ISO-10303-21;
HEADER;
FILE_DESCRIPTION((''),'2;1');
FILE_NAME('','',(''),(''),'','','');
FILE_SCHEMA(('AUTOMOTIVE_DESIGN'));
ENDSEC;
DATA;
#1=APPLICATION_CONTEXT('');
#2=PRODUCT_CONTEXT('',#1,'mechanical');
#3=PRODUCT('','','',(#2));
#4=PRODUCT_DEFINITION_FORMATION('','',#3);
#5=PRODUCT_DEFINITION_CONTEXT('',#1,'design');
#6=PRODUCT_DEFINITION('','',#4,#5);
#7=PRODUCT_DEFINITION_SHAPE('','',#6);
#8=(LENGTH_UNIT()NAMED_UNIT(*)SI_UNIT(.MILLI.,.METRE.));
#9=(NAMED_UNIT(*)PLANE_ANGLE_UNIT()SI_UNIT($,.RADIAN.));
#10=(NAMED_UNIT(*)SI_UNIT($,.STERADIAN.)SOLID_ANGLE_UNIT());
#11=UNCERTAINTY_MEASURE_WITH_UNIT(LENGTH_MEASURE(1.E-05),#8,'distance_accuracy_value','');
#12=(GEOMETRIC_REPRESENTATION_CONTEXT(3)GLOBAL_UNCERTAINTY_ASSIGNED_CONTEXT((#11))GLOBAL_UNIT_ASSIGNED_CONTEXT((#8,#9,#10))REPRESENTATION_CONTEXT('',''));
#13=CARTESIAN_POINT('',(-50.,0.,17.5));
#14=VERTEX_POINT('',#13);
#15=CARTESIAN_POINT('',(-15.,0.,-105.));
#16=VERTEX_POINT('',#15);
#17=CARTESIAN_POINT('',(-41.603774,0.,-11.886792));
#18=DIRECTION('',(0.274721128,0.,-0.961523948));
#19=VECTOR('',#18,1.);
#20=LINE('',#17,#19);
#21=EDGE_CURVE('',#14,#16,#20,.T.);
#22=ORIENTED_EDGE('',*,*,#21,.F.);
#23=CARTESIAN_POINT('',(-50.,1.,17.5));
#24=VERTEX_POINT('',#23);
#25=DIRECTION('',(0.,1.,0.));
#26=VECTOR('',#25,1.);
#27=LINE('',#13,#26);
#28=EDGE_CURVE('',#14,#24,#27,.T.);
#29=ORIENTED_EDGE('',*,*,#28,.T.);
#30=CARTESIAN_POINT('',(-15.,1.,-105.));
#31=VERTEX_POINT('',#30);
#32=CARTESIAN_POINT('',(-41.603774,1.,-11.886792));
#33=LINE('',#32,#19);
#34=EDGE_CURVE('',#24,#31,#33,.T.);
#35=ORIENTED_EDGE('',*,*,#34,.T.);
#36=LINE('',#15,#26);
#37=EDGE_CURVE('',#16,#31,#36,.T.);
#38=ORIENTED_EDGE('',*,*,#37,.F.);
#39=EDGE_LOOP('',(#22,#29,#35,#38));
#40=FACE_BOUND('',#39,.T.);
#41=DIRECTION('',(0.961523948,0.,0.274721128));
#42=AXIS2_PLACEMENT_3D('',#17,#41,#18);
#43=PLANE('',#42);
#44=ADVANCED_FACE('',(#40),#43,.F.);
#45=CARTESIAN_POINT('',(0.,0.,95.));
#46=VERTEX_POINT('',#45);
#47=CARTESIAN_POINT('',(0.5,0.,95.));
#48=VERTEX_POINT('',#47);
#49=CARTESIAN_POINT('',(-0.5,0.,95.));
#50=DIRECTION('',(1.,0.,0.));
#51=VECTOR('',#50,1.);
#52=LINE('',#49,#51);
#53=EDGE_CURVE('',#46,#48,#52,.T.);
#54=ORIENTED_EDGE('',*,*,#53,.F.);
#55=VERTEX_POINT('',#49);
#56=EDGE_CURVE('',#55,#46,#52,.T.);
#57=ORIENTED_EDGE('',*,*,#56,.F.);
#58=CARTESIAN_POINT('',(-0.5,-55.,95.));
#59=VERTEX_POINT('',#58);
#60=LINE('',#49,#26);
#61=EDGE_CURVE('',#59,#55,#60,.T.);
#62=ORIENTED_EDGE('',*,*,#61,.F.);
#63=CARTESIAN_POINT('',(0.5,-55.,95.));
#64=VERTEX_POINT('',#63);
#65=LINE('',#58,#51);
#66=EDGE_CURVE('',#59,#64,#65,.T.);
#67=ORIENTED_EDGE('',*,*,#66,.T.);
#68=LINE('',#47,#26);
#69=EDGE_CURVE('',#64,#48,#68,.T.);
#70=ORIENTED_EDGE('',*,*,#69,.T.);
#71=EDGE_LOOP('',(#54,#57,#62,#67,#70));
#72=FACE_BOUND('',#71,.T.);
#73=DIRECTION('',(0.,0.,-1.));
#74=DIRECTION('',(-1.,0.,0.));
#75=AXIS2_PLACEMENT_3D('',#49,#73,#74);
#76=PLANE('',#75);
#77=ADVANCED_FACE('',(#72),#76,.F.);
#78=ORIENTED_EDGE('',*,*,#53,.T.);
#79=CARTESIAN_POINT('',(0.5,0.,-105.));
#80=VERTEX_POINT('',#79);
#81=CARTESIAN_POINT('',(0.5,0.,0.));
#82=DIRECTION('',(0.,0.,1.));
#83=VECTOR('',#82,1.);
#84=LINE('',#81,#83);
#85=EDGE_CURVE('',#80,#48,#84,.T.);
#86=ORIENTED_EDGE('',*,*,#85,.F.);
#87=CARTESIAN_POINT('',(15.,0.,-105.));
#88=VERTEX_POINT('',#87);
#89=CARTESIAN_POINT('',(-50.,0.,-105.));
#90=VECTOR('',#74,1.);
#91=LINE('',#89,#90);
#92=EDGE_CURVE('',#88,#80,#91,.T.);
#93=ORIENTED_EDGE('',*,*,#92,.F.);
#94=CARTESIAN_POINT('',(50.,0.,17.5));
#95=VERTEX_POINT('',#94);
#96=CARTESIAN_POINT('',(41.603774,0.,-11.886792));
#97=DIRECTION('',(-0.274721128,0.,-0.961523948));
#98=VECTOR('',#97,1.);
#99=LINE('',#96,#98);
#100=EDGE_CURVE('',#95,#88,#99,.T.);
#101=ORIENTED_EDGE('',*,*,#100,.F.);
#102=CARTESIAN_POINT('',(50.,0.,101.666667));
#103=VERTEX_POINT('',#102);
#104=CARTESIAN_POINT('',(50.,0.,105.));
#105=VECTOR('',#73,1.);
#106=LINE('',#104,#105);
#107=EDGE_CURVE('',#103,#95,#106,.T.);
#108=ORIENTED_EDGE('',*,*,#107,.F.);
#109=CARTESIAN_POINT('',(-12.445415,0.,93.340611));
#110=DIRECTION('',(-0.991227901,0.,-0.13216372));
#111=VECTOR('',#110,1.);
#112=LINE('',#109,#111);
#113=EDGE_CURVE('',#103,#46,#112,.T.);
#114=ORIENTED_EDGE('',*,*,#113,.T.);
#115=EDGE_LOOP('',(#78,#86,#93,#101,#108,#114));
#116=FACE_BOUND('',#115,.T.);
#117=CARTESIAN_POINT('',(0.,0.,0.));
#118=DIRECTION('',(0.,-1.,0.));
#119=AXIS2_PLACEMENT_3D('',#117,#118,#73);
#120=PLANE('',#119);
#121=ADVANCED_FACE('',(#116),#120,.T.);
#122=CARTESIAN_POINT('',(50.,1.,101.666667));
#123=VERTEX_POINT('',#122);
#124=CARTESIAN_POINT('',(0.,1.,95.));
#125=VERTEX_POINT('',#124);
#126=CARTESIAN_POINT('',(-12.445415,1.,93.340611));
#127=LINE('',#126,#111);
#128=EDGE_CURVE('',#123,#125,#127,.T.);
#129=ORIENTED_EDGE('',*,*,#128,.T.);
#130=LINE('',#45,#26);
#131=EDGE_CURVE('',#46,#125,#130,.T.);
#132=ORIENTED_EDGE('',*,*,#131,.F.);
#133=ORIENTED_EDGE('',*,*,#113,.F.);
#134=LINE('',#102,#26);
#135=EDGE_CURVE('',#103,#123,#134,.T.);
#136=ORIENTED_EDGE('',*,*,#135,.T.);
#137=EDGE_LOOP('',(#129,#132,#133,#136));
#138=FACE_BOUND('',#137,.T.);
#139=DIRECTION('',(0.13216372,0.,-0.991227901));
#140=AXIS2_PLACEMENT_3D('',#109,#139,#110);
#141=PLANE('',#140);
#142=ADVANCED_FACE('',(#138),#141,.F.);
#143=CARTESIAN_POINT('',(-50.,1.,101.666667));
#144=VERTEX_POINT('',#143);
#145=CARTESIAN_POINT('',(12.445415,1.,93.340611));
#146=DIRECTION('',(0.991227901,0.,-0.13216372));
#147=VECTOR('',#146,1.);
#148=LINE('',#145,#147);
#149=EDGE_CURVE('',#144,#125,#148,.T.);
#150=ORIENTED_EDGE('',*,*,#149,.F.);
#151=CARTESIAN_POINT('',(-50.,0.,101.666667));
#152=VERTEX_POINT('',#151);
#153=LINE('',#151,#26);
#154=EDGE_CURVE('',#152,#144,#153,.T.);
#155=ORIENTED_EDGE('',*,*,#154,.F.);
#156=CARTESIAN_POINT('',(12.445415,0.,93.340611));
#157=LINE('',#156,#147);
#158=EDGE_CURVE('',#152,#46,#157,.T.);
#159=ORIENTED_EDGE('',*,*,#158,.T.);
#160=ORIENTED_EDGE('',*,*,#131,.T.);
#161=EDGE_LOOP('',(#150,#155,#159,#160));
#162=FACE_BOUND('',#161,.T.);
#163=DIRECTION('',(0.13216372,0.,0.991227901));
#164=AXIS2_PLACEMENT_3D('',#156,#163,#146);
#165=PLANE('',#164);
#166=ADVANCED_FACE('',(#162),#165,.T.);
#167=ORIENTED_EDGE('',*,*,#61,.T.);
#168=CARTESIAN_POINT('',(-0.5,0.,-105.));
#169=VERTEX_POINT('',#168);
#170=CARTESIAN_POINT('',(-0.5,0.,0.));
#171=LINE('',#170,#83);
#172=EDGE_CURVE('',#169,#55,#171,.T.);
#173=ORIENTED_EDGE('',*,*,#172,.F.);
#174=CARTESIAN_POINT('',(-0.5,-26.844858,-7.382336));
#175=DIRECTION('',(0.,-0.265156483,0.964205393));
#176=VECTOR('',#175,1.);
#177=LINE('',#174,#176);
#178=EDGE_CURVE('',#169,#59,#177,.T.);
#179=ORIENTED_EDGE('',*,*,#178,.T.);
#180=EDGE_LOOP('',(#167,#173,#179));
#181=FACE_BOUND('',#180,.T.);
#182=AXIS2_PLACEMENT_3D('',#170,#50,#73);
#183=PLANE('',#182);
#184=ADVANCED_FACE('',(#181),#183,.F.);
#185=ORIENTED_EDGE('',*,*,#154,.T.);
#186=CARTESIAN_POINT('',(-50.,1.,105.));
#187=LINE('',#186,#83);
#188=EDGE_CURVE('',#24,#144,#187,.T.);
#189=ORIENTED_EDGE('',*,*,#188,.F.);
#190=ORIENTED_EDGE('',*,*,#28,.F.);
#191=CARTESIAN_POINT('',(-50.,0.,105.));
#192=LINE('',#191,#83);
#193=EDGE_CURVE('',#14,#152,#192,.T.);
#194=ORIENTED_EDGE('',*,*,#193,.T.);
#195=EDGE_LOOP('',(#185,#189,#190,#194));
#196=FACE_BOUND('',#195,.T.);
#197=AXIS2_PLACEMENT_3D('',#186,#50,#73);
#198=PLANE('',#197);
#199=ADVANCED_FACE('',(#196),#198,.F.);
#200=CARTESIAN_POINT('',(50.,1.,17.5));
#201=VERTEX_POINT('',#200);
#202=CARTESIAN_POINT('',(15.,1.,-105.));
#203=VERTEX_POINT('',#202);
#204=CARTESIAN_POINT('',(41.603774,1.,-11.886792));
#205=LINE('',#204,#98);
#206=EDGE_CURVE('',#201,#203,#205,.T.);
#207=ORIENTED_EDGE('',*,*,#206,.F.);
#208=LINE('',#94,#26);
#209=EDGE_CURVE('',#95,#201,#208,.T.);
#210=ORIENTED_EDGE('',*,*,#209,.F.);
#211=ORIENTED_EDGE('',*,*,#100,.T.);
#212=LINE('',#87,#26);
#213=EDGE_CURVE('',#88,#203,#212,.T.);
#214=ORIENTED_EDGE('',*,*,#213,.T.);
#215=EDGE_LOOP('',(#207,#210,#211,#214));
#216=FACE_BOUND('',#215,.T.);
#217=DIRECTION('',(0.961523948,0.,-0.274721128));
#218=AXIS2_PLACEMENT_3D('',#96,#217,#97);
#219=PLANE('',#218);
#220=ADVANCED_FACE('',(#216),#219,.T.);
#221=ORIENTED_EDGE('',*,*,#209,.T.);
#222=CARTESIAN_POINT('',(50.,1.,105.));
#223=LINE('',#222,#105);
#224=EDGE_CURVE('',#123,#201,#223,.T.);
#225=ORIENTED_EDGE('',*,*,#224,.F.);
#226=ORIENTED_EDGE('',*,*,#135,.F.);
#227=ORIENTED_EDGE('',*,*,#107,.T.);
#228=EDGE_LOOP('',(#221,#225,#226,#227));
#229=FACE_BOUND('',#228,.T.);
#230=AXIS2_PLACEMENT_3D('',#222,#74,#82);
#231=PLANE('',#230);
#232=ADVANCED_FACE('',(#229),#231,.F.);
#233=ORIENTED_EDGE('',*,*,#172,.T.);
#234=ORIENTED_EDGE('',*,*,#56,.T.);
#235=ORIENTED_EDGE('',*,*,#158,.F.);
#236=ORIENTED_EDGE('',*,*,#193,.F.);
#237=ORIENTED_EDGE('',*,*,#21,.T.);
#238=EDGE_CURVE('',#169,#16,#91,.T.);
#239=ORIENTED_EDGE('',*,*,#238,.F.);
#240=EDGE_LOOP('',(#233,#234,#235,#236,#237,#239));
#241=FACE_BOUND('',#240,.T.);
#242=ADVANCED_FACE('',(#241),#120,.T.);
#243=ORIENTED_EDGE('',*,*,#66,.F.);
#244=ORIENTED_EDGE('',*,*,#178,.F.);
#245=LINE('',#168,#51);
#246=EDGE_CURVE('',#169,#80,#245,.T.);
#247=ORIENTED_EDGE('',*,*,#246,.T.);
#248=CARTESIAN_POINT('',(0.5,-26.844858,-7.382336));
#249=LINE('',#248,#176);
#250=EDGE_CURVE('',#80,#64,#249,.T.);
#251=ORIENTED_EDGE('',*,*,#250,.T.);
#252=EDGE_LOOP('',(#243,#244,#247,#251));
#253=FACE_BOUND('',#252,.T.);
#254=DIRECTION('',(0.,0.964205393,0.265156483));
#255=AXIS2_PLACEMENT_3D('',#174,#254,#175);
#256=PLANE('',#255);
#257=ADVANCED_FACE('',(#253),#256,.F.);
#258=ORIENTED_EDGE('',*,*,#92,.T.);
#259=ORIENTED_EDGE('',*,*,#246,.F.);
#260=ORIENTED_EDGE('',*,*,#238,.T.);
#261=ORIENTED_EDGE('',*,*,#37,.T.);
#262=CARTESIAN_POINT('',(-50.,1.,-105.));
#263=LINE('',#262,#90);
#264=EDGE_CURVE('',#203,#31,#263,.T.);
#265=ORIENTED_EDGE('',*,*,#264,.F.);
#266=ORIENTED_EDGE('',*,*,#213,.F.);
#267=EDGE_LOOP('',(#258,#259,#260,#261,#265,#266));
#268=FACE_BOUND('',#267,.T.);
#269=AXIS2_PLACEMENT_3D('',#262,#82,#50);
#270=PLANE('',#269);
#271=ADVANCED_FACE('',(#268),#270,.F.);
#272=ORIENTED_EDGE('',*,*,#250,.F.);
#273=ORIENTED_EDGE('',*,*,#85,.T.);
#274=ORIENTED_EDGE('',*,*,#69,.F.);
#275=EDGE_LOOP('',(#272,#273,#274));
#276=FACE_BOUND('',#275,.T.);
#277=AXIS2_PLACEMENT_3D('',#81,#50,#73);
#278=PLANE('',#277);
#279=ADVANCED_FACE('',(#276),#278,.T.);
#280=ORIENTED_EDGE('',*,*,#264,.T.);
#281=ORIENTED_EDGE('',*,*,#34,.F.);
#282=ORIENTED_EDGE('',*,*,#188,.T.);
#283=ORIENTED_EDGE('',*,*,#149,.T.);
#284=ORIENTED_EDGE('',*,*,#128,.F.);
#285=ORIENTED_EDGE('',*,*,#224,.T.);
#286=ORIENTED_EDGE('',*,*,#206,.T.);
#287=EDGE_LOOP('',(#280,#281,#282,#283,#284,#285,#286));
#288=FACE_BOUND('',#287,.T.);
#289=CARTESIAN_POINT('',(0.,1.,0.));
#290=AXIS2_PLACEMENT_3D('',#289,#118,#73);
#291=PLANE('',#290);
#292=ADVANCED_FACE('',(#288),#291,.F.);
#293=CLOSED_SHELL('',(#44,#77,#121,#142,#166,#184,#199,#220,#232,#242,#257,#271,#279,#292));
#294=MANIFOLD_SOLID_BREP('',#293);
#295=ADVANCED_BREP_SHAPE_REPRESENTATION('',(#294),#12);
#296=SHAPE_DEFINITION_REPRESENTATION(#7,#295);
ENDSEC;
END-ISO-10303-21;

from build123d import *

# Parameters (mm, degrees)
SKETCH_1_W           = 100
SKETCH_1_H           = 210
EXTRUDE_1_DEPTH      = 1
CUT_EXTRUDE_1_DEPTH  = 1
EXTRUDE_2_DEPTH      = 0.5
EXTRUDE_2_DEPTH_BACK = 0.5


with BuildPart() as part:
    # ｽｹｯﾁ1 → ﾎﾞｽ - 押し出し1 (new body)
    with BuildSketch(Plane(origin=(0, 0, 0), x_dir=(1, 0, 0), z_dir=(0, 1, 0))):
        Rectangle(SKETCH_1_W, SKETCH_1_H)
    extrude(amount=EXTRUDE_1_DEPTH)

    # ｽｹｯﾁ2 → ｶｯﾄ - 押し出し1 (cut)
    with BuildSketch(Plane(origin=(0, 1, 0), x_dir=(1, 0, 0), z_dir=(0, 1, 0))):
        Polygon((15, 105), (50, -17.5), (50, 105), align=None)
        Polygon((-50, 105), (-50, -17.5), (-15, 105), align=None)
        Polygon((50, -105), (50, -101.666666667), (0, -95), (-50, -101.666666667), (-50, -105), align=None)
    extrude(amount=-CUT_EXTRUDE_1_DEPTH, mode=Mode.SUBTRACT)

    # ｽｹｯﾁ4 → ﾎﾞｽ - 押し出し2 (add, two sides: drawn at the far end of the back side and taken through both)
    with BuildSketch(Plane(origin=(0, 0, 0), x_dir=(0, 0, -1), z_dir=(1, 0, 0)).offset(-EXTRUDE_2_DEPTH_BACK)):
        Polygon((105, 0), (-95, -55), (-95, 0), align=None)
    extrude(amount=EXTRUDE_2_DEPTH + EXTRUDE_2_DEPTH_BACK)


solid = part.part
